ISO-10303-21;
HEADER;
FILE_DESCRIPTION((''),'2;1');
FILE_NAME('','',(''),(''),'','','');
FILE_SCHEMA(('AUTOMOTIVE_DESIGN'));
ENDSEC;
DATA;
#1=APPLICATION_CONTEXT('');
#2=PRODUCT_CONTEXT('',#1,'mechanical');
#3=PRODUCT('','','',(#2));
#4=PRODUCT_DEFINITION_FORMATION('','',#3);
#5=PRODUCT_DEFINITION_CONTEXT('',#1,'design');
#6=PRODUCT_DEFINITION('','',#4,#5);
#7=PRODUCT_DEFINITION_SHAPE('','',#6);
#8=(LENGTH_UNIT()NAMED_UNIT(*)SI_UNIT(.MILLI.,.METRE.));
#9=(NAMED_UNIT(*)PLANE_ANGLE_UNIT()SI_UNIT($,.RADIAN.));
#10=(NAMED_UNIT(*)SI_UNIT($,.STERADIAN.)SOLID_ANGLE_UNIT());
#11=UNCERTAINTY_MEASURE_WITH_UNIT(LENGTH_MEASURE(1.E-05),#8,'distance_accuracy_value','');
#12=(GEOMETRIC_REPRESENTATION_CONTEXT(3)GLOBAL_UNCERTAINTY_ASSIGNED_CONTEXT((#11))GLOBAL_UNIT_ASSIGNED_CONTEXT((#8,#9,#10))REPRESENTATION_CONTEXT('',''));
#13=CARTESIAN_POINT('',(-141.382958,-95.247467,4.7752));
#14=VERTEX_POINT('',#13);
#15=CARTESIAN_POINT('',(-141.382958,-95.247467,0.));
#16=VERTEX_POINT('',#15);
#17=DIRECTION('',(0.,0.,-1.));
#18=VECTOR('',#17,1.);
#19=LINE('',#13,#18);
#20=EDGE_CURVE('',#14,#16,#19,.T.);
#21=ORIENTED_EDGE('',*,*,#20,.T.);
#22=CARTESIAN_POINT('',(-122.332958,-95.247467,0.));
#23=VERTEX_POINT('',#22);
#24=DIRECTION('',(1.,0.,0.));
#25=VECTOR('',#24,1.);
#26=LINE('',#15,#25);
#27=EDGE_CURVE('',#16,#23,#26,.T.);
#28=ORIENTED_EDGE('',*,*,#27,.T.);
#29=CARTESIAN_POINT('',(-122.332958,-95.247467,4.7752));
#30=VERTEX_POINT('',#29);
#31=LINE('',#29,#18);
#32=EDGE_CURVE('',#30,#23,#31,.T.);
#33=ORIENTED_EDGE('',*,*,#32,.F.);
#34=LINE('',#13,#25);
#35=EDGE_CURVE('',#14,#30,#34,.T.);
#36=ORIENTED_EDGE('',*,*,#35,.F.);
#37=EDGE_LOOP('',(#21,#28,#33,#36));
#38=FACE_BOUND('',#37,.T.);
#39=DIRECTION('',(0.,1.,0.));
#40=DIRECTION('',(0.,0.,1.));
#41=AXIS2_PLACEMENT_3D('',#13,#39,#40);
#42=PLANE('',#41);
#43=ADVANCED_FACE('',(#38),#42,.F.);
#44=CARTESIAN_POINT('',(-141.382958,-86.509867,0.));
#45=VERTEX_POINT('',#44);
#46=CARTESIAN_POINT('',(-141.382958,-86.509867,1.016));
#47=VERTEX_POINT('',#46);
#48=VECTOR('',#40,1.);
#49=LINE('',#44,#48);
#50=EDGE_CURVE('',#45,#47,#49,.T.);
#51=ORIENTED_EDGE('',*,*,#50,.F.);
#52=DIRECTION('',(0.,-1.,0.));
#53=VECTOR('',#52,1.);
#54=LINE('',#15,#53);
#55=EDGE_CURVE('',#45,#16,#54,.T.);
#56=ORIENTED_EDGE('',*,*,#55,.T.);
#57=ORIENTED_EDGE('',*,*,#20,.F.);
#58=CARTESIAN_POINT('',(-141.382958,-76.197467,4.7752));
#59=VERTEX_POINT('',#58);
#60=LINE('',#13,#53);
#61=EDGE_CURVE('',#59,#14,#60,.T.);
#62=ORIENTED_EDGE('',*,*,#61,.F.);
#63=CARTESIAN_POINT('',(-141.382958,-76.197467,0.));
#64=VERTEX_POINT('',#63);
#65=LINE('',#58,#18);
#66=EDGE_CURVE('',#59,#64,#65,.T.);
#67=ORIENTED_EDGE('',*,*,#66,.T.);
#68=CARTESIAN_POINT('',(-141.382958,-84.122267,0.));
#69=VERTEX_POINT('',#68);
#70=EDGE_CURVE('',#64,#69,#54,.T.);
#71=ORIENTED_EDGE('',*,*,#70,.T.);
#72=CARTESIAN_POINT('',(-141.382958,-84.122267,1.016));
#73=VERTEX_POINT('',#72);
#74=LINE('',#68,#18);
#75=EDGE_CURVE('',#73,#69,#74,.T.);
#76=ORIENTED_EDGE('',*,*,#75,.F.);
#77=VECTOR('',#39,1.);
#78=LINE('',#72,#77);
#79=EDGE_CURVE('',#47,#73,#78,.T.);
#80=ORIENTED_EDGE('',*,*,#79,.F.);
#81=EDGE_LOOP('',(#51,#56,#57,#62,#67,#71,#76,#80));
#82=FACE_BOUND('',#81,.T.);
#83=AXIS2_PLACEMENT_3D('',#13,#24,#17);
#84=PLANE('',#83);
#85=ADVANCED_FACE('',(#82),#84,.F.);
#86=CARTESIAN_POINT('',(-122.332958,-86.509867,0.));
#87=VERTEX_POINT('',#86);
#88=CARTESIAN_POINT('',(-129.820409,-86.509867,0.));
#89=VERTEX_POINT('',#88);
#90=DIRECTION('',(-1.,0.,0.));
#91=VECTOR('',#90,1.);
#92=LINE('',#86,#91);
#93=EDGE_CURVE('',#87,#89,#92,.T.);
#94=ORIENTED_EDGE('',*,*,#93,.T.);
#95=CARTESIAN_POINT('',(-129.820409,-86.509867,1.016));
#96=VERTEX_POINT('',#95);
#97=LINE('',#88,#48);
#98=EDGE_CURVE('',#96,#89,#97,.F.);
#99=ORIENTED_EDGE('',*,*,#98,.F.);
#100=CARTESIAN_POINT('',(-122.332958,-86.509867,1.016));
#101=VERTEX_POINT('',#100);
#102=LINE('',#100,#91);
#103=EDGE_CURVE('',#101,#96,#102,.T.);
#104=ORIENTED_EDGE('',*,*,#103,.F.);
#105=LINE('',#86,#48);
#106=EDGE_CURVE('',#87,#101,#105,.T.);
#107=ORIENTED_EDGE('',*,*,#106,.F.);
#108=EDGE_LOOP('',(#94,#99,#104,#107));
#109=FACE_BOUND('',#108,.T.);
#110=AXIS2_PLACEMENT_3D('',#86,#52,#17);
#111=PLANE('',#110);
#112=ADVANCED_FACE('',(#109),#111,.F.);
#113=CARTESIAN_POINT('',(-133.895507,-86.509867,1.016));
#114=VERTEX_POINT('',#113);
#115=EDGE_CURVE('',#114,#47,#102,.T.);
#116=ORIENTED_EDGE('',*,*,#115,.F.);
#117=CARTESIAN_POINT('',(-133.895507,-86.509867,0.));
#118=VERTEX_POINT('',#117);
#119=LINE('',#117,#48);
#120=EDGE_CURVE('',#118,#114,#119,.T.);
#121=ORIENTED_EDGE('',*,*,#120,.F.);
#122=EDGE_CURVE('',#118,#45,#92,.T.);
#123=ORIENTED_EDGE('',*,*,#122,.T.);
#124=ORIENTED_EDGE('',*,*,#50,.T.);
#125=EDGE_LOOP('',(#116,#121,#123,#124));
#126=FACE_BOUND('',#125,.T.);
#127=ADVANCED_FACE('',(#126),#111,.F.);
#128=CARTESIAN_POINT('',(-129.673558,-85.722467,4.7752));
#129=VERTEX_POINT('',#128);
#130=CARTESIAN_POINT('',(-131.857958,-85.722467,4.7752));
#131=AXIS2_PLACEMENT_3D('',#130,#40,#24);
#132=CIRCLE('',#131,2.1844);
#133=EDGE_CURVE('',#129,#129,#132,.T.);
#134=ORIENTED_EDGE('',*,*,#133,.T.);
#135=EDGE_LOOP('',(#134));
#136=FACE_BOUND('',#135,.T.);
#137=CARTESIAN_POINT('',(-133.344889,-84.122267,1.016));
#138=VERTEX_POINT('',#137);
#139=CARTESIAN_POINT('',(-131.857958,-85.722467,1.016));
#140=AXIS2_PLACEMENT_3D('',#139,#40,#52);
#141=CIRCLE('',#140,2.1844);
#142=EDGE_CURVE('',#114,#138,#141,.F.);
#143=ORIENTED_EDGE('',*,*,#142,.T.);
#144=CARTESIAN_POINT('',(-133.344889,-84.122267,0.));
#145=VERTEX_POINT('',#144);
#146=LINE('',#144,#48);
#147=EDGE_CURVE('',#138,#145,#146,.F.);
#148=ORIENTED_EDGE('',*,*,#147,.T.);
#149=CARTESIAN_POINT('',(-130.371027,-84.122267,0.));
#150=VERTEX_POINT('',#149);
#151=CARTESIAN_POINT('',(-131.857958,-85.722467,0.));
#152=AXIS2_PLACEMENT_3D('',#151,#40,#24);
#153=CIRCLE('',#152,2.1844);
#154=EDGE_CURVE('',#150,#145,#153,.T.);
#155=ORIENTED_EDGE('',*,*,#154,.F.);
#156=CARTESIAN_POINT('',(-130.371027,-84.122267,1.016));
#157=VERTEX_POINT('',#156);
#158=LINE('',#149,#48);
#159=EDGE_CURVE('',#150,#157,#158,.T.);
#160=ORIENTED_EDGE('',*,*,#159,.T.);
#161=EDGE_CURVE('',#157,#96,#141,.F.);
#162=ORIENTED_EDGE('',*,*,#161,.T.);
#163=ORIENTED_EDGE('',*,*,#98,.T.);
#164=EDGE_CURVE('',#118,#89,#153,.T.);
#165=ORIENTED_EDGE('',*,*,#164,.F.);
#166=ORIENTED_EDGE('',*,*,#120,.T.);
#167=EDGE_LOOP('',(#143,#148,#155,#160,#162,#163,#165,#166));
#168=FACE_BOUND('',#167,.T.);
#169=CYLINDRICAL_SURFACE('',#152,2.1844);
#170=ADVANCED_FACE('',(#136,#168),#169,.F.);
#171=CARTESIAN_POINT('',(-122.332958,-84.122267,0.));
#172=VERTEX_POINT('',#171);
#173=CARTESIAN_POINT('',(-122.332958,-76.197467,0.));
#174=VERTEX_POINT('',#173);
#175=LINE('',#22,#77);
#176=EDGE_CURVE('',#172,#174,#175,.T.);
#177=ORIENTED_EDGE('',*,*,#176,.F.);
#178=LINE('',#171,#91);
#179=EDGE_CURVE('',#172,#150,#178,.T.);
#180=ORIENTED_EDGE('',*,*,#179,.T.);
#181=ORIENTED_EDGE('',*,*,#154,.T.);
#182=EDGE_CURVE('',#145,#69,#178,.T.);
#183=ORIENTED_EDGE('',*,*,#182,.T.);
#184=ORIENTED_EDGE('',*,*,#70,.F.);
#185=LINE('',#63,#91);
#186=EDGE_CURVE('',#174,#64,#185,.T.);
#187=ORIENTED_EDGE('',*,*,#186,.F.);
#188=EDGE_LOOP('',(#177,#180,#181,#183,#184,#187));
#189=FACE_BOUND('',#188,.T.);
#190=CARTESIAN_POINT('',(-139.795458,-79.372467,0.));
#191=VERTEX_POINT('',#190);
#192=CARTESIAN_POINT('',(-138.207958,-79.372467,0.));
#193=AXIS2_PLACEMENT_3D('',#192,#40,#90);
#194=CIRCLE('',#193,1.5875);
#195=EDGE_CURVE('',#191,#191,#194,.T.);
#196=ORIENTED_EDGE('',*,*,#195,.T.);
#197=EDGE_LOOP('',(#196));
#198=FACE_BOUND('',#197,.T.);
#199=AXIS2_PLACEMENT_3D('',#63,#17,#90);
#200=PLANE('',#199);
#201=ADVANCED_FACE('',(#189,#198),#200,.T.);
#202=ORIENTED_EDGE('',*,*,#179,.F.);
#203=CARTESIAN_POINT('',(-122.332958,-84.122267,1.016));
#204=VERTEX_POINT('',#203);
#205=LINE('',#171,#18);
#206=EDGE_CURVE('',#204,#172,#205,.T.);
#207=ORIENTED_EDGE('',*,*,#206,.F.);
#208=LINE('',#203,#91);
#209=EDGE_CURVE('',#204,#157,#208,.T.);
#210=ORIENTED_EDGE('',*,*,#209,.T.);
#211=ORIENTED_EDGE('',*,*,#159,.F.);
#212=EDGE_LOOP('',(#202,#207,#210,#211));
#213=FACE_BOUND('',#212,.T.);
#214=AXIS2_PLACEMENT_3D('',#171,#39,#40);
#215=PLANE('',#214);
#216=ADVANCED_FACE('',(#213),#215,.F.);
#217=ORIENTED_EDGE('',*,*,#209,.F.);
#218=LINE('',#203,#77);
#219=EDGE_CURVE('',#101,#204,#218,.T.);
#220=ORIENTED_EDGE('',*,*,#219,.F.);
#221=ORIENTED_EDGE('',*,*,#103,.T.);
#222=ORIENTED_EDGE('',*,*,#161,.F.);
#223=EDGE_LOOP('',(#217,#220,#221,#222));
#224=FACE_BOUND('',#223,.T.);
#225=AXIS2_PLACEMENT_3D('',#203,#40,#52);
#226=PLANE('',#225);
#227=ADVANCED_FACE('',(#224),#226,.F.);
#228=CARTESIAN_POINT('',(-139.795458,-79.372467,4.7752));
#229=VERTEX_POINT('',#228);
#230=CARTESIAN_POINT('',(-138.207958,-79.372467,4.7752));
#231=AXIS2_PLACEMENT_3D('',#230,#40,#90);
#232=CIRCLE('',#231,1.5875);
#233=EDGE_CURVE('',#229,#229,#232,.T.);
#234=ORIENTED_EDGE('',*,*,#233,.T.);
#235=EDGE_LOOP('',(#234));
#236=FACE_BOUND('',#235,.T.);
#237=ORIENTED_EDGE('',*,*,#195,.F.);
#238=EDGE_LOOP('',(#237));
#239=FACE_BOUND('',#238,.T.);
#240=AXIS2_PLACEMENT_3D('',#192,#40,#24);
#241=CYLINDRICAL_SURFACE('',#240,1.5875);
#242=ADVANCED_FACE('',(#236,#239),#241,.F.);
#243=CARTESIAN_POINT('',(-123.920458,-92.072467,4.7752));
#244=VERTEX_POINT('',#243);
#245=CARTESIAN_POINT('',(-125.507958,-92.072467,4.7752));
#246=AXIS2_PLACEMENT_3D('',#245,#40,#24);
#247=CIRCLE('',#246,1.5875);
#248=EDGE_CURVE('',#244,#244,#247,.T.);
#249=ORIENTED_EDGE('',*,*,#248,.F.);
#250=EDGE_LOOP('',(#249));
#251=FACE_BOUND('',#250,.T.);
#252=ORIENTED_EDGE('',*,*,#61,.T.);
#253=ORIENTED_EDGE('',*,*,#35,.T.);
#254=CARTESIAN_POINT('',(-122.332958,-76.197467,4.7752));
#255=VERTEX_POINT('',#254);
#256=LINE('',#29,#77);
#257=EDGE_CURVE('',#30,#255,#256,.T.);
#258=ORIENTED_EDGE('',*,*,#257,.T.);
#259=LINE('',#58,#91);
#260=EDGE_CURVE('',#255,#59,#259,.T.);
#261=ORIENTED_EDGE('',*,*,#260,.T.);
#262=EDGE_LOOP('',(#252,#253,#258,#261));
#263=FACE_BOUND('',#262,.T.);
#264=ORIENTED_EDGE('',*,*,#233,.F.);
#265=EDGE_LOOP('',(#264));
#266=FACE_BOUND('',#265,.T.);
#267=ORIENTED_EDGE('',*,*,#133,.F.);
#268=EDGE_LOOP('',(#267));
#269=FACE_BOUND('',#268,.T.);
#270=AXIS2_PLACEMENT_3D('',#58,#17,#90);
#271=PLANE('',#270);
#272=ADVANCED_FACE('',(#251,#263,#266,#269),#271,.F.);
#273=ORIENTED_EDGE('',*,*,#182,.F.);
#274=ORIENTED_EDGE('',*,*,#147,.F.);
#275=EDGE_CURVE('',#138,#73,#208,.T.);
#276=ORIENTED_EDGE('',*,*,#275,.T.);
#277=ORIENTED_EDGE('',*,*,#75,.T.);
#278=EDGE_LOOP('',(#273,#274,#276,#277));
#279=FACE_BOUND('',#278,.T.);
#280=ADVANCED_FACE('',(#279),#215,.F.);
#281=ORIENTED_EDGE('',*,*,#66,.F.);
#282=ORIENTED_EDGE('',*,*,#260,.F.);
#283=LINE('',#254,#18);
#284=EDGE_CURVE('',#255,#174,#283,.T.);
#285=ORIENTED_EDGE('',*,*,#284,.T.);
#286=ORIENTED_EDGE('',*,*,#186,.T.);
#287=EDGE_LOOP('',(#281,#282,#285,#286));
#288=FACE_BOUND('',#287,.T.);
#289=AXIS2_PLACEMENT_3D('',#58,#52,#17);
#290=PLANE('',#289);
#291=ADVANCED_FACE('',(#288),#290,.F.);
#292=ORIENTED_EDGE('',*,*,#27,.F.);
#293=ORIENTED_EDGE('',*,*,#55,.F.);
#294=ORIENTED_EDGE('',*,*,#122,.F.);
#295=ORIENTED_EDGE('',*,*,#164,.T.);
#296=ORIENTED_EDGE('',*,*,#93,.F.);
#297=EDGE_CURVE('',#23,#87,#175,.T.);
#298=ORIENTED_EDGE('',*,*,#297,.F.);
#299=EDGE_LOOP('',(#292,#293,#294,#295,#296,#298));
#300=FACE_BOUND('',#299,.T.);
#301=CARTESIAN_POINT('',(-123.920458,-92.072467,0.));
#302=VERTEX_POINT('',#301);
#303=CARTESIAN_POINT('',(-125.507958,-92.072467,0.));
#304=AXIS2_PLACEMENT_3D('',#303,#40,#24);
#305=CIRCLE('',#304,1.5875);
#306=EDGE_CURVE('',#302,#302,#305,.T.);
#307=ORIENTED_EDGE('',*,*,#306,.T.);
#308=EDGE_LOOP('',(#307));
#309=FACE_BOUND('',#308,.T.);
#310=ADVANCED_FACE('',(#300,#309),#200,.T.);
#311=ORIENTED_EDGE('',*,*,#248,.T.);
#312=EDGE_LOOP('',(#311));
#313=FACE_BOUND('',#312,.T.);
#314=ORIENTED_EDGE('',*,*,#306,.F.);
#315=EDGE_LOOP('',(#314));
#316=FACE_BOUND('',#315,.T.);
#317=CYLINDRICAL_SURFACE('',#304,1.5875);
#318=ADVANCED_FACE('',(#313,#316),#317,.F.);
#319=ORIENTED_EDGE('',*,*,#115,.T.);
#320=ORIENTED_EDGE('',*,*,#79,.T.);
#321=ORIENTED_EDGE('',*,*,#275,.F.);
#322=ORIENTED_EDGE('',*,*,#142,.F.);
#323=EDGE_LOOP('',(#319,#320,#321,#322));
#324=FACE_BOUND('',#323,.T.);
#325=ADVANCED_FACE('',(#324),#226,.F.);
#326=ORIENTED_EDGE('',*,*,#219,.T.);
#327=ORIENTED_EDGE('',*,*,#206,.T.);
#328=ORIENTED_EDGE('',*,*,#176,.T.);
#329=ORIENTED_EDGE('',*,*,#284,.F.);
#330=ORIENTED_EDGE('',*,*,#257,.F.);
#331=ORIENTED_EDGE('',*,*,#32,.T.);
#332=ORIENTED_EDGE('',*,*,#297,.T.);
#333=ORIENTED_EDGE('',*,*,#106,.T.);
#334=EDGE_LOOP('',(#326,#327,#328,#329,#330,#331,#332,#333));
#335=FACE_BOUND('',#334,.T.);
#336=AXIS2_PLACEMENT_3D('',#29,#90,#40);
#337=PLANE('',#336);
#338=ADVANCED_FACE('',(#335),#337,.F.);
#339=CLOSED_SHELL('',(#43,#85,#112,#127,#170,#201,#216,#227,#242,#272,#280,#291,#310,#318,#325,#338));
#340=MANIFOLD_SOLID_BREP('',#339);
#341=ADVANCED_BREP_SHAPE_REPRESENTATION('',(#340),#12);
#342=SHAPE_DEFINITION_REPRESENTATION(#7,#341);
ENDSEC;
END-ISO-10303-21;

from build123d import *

# Parameters (mm, degrees)
SKETCH1_W      = 19.05
SKETCH1_H      = 19.05
EXTRUDE1_DEPTH = 4.7752
SKETCH2_R      = 2.1844
SKETCH2_R_2    = 1.5875
EXTRUDE2_DEPTH = 5.7752
SKETCH4_W      = 1.016
SKETCH4_H      = 2.3876
EXTRUDE3_DEPTH = 20.05


with BuildPart() as part:
    # Sketch1 → Extrude1 (new body)
    with BuildSketch(Plane.XY):
        with Locations((-131.857958108, -85.722466515)):
            Rectangle(SKETCH1_W, SKETCH1_H)
    extrude(amount=EXTRUDE1_DEPTH)

    # Sketch2 → Extrude2 (cut, through all)
    with BuildSketch(Plane.XY.offset(4.7752)):
        with Locations((-131.857958108, -85.722466515)):
            Circle(SKETCH2_R)
        with Locations((-125.507958108, -92.072466515)):
            Circle(SKETCH2_R_2)
        with Locations(Location((-138.207958108, -79.372466515, 0), (0, 0, 180))):  # turned: the seam where the file's is
            Circle(SKETCH2_R_2)
    extrude(amount=-EXTRUDE2_DEPTH, mode=Mode.SUBTRACT)

    # Sketch4 → Extrude3 (cut, through all)
    with BuildSketch(Plane.ZY.offset(141.382958108)):
        with Locations((0.508, -85.316066515)):
            Rectangle(SKETCH4_W, SKETCH4_H)
    extrude(amount=-EXTRUDE3_DEPTH, mode=Mode.SUBTRACT)


solid = part.part
